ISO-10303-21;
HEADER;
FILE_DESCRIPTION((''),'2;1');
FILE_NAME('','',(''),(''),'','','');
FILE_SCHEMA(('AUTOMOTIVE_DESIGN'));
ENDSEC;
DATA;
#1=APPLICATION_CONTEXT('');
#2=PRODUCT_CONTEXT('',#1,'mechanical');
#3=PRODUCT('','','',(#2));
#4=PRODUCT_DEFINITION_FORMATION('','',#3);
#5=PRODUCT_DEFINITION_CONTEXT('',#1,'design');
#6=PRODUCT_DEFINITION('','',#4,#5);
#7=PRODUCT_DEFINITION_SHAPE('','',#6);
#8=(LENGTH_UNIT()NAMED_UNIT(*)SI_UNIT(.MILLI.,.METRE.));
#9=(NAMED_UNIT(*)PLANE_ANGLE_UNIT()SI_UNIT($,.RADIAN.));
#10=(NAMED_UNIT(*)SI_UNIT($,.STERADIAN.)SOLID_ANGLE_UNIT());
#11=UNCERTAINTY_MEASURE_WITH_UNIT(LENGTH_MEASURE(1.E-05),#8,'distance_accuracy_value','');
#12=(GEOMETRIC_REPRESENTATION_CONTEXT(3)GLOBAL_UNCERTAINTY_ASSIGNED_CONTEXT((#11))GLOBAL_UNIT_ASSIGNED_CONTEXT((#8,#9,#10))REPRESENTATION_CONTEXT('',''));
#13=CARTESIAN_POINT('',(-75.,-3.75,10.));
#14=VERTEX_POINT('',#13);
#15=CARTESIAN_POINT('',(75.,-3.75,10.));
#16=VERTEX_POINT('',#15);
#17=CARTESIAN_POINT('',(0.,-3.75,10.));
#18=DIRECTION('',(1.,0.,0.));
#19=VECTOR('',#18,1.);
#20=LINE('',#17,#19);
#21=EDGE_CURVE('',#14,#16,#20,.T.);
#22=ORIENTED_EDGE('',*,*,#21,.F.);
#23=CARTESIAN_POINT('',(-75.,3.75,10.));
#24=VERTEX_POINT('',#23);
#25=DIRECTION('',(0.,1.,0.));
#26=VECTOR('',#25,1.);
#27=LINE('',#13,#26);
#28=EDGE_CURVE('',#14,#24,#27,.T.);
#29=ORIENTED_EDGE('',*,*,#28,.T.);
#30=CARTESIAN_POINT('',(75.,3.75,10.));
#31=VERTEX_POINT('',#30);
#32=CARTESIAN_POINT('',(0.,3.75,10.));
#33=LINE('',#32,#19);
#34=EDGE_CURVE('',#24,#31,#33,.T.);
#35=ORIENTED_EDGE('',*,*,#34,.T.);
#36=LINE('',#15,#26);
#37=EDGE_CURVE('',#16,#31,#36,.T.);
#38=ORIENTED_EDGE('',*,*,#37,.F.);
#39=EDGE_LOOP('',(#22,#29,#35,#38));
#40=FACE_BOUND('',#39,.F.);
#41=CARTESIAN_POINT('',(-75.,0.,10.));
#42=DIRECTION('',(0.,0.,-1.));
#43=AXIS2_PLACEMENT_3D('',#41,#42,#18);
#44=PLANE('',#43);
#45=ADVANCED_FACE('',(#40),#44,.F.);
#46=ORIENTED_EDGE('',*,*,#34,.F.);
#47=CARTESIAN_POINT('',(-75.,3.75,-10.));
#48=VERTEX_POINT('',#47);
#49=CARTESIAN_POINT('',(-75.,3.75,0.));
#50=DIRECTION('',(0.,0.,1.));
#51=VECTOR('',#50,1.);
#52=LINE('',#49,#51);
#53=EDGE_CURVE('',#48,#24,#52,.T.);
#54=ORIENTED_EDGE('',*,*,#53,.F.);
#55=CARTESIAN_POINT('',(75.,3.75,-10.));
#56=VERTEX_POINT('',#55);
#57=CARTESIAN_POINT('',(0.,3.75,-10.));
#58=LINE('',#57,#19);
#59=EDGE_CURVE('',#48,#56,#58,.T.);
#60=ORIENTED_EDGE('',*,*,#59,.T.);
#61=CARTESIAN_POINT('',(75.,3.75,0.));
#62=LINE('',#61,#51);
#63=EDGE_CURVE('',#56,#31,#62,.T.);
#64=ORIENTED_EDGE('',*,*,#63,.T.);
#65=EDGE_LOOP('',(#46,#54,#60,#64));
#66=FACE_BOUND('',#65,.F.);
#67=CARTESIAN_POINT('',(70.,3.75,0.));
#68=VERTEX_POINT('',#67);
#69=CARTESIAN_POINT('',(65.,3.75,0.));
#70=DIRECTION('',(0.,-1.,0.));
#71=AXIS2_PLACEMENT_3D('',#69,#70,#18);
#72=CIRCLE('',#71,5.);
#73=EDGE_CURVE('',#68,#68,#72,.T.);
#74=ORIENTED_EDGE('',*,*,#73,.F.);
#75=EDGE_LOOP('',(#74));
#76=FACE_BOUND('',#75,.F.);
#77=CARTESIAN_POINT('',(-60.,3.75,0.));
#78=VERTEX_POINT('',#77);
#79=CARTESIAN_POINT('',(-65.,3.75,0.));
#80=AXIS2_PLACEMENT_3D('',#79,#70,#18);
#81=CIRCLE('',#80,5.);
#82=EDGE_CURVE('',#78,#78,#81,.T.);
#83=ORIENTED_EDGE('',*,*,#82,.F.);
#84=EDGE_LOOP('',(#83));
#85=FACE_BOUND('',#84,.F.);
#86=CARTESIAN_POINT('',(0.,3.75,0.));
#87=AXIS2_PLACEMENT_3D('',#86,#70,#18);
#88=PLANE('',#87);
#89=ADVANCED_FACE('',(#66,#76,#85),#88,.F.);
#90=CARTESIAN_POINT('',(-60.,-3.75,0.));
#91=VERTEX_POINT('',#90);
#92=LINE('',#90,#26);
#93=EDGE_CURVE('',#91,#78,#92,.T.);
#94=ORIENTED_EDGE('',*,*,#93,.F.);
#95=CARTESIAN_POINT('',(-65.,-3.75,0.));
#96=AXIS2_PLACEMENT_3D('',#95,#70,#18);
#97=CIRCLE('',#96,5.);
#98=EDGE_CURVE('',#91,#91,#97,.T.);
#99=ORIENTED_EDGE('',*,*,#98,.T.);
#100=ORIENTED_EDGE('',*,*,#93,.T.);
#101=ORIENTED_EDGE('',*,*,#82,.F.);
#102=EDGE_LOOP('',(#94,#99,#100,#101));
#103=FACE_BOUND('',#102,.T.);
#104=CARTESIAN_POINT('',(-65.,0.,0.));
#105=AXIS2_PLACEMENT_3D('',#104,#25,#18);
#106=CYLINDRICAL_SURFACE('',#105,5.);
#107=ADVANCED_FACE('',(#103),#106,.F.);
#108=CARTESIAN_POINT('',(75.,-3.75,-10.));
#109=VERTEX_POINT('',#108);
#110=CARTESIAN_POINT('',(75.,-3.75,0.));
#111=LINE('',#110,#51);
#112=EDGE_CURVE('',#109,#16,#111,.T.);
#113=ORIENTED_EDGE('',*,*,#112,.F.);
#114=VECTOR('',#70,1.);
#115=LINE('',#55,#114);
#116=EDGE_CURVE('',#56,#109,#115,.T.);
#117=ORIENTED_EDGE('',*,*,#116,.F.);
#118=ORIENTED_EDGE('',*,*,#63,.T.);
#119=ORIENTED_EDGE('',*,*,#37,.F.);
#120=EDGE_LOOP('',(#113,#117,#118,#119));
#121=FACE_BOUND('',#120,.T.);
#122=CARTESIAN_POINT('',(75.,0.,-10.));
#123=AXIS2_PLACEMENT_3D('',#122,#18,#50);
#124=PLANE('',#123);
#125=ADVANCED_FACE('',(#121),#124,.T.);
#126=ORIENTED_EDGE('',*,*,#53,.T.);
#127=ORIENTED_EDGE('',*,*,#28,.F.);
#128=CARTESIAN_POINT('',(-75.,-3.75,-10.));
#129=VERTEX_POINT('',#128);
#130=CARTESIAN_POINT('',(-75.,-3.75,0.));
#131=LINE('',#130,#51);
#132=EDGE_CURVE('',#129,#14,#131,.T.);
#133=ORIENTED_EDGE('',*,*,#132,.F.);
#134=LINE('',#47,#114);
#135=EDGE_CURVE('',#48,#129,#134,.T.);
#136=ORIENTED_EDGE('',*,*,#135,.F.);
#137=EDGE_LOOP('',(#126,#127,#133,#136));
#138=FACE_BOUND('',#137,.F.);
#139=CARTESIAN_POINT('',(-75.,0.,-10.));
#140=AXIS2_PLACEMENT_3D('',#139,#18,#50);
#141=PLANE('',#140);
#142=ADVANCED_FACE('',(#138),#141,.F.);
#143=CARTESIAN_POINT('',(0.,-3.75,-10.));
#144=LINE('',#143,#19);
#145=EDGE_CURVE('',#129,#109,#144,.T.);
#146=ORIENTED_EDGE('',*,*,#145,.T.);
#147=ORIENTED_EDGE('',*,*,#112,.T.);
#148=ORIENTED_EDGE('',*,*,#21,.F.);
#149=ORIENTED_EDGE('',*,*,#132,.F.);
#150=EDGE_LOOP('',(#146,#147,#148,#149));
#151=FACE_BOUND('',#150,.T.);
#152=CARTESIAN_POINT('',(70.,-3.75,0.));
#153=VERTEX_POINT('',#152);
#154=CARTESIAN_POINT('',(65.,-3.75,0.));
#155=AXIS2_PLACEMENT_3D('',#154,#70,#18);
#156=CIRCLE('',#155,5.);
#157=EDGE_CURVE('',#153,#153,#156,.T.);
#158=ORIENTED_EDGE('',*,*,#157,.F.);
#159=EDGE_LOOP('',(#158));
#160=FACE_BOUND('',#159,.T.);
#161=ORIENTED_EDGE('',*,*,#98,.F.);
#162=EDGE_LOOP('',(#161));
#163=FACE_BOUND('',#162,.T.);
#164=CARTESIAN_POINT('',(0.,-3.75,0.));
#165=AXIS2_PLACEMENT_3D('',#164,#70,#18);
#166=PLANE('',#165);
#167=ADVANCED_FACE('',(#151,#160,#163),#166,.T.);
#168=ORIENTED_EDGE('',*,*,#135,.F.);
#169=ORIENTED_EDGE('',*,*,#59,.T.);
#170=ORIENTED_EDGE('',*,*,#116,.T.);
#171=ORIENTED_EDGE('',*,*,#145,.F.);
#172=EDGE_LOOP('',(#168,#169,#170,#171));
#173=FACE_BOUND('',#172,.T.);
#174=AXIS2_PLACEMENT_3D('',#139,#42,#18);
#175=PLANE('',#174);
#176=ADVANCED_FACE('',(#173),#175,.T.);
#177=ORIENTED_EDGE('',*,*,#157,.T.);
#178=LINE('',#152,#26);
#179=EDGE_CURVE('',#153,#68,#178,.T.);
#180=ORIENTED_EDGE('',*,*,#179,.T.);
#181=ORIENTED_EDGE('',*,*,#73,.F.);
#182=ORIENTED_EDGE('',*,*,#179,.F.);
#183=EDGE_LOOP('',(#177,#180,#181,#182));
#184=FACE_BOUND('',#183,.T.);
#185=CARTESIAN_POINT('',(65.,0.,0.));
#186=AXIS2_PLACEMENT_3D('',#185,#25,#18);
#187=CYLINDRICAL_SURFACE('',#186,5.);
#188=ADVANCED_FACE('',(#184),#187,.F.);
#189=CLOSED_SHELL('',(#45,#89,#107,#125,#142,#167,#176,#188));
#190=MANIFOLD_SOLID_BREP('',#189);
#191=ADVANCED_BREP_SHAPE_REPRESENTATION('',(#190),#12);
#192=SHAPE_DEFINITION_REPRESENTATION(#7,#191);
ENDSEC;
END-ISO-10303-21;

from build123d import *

# Parameters (mm, degrees)
F0_W     = 150
F0_H     = 20
F0_R     = 5
F1_DEPTH = 3.75


with BuildPart() as f1:
    # F0 (on Front) → F1 (new body, symmetric)
    with BuildSketch(Plane.XZ):
        Rectangle(F0_W, F0_H)
        with Locations((-65, 0)):
            Circle(F0_R, mode=Mode.SUBTRACT)
        with Locations((65, 0)):
            Circle(F0_R, mode=Mode.SUBTRACT)
    extrude(amount=F1_DEPTH, both=True)


solid = f1.part
